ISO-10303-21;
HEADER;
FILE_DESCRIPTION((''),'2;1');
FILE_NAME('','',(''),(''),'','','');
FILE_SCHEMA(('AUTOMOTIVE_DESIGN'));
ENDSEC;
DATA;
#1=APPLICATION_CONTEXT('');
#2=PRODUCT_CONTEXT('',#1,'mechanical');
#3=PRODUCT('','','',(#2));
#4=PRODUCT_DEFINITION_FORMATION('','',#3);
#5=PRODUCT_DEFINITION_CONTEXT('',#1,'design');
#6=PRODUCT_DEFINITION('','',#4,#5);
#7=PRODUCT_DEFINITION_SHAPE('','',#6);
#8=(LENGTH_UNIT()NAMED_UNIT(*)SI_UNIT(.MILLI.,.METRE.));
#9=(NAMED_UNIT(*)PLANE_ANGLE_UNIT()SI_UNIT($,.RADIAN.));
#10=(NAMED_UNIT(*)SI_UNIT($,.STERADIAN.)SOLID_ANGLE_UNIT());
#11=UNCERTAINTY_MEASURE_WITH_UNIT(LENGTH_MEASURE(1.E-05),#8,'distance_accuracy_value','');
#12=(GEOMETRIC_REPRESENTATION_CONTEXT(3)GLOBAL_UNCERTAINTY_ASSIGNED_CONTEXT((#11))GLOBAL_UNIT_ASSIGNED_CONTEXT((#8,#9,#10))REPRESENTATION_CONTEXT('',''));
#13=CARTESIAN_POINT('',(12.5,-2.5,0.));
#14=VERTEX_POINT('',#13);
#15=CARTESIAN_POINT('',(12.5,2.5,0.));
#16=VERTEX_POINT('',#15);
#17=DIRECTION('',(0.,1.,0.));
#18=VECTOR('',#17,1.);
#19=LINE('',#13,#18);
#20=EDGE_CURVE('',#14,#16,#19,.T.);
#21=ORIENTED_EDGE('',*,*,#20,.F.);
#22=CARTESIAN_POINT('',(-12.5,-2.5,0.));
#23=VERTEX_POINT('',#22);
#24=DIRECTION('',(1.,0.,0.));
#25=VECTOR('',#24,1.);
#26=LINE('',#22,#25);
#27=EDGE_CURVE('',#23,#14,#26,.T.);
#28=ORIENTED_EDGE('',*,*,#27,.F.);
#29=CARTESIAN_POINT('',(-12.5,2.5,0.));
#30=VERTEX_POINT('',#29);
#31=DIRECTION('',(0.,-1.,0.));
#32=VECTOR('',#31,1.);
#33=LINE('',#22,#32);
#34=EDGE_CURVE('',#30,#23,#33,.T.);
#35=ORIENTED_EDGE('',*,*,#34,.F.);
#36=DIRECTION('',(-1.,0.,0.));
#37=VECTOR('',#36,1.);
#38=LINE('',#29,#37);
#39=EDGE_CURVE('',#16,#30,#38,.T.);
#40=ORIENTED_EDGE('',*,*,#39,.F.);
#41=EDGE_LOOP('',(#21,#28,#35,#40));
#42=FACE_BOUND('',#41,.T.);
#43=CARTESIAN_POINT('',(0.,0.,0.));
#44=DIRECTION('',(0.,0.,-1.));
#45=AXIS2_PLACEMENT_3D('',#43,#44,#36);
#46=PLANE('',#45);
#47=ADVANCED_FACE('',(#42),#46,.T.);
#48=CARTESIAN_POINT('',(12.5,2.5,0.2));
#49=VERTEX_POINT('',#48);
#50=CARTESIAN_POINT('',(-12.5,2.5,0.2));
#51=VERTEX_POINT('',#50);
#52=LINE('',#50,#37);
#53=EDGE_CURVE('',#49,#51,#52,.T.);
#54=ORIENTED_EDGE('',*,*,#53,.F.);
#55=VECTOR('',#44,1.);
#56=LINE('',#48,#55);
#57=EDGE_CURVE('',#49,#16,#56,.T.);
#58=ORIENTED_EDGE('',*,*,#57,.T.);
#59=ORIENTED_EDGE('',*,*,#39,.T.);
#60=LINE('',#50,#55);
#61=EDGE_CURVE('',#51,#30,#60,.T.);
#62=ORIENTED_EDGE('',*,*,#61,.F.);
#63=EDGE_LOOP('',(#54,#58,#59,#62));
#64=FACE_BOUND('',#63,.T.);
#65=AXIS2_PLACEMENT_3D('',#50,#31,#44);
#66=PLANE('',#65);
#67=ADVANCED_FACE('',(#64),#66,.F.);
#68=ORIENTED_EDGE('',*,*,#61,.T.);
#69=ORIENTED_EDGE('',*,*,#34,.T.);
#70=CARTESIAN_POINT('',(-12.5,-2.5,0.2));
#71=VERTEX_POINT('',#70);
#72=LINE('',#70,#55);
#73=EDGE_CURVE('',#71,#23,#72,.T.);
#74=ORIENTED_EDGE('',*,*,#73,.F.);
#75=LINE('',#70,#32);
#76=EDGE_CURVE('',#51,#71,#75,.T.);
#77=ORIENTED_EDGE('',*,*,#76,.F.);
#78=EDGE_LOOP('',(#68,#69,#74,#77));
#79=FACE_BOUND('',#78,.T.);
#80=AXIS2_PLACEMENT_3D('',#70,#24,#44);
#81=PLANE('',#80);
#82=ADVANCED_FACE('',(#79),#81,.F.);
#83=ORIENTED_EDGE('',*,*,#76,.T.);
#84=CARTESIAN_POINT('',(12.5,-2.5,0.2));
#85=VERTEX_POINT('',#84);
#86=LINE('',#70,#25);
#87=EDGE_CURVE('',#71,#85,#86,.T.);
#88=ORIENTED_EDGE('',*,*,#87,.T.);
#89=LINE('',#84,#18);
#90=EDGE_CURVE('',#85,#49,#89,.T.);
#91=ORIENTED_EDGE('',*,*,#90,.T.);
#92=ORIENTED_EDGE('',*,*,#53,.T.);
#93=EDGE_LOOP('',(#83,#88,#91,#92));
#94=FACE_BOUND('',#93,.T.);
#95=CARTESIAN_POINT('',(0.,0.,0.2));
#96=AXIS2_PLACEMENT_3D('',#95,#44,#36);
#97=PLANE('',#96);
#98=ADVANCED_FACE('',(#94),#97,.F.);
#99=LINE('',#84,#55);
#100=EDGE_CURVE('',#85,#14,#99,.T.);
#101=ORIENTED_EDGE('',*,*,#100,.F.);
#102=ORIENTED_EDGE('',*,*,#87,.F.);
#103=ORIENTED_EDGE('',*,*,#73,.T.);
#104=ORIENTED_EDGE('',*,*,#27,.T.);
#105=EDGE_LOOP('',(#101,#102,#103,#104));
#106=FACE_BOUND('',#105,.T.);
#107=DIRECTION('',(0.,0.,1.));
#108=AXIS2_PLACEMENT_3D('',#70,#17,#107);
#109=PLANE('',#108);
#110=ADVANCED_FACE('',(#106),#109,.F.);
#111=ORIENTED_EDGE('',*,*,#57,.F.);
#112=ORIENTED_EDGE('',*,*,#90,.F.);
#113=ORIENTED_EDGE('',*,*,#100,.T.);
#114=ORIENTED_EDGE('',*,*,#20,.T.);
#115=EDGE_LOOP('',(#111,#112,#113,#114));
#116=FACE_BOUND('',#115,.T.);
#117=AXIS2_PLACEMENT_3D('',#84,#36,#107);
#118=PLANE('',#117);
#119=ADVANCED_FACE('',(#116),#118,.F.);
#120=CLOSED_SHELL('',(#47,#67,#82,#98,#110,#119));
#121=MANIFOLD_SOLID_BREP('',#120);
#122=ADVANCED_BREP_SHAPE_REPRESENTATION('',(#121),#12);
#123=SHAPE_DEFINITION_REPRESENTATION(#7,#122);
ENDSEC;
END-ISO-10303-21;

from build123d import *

# Parameters (mm, degrees)
ESBO_O1_W                = 25
ESBO_O1_H                = 5
RESSALTO_EXTRUS_O1_DEPTH = 0.2


with BuildPart() as part:
    # Esboço1 → Ressalto-extrusão1 (new body)
    with BuildSketch(Plane.XY):
        Rectangle(ESBO_O1_W, ESBO_O1_H)
    extrude(amount=RESSALTO_EXTRUS_O1_DEPTH)


solid = part.part
